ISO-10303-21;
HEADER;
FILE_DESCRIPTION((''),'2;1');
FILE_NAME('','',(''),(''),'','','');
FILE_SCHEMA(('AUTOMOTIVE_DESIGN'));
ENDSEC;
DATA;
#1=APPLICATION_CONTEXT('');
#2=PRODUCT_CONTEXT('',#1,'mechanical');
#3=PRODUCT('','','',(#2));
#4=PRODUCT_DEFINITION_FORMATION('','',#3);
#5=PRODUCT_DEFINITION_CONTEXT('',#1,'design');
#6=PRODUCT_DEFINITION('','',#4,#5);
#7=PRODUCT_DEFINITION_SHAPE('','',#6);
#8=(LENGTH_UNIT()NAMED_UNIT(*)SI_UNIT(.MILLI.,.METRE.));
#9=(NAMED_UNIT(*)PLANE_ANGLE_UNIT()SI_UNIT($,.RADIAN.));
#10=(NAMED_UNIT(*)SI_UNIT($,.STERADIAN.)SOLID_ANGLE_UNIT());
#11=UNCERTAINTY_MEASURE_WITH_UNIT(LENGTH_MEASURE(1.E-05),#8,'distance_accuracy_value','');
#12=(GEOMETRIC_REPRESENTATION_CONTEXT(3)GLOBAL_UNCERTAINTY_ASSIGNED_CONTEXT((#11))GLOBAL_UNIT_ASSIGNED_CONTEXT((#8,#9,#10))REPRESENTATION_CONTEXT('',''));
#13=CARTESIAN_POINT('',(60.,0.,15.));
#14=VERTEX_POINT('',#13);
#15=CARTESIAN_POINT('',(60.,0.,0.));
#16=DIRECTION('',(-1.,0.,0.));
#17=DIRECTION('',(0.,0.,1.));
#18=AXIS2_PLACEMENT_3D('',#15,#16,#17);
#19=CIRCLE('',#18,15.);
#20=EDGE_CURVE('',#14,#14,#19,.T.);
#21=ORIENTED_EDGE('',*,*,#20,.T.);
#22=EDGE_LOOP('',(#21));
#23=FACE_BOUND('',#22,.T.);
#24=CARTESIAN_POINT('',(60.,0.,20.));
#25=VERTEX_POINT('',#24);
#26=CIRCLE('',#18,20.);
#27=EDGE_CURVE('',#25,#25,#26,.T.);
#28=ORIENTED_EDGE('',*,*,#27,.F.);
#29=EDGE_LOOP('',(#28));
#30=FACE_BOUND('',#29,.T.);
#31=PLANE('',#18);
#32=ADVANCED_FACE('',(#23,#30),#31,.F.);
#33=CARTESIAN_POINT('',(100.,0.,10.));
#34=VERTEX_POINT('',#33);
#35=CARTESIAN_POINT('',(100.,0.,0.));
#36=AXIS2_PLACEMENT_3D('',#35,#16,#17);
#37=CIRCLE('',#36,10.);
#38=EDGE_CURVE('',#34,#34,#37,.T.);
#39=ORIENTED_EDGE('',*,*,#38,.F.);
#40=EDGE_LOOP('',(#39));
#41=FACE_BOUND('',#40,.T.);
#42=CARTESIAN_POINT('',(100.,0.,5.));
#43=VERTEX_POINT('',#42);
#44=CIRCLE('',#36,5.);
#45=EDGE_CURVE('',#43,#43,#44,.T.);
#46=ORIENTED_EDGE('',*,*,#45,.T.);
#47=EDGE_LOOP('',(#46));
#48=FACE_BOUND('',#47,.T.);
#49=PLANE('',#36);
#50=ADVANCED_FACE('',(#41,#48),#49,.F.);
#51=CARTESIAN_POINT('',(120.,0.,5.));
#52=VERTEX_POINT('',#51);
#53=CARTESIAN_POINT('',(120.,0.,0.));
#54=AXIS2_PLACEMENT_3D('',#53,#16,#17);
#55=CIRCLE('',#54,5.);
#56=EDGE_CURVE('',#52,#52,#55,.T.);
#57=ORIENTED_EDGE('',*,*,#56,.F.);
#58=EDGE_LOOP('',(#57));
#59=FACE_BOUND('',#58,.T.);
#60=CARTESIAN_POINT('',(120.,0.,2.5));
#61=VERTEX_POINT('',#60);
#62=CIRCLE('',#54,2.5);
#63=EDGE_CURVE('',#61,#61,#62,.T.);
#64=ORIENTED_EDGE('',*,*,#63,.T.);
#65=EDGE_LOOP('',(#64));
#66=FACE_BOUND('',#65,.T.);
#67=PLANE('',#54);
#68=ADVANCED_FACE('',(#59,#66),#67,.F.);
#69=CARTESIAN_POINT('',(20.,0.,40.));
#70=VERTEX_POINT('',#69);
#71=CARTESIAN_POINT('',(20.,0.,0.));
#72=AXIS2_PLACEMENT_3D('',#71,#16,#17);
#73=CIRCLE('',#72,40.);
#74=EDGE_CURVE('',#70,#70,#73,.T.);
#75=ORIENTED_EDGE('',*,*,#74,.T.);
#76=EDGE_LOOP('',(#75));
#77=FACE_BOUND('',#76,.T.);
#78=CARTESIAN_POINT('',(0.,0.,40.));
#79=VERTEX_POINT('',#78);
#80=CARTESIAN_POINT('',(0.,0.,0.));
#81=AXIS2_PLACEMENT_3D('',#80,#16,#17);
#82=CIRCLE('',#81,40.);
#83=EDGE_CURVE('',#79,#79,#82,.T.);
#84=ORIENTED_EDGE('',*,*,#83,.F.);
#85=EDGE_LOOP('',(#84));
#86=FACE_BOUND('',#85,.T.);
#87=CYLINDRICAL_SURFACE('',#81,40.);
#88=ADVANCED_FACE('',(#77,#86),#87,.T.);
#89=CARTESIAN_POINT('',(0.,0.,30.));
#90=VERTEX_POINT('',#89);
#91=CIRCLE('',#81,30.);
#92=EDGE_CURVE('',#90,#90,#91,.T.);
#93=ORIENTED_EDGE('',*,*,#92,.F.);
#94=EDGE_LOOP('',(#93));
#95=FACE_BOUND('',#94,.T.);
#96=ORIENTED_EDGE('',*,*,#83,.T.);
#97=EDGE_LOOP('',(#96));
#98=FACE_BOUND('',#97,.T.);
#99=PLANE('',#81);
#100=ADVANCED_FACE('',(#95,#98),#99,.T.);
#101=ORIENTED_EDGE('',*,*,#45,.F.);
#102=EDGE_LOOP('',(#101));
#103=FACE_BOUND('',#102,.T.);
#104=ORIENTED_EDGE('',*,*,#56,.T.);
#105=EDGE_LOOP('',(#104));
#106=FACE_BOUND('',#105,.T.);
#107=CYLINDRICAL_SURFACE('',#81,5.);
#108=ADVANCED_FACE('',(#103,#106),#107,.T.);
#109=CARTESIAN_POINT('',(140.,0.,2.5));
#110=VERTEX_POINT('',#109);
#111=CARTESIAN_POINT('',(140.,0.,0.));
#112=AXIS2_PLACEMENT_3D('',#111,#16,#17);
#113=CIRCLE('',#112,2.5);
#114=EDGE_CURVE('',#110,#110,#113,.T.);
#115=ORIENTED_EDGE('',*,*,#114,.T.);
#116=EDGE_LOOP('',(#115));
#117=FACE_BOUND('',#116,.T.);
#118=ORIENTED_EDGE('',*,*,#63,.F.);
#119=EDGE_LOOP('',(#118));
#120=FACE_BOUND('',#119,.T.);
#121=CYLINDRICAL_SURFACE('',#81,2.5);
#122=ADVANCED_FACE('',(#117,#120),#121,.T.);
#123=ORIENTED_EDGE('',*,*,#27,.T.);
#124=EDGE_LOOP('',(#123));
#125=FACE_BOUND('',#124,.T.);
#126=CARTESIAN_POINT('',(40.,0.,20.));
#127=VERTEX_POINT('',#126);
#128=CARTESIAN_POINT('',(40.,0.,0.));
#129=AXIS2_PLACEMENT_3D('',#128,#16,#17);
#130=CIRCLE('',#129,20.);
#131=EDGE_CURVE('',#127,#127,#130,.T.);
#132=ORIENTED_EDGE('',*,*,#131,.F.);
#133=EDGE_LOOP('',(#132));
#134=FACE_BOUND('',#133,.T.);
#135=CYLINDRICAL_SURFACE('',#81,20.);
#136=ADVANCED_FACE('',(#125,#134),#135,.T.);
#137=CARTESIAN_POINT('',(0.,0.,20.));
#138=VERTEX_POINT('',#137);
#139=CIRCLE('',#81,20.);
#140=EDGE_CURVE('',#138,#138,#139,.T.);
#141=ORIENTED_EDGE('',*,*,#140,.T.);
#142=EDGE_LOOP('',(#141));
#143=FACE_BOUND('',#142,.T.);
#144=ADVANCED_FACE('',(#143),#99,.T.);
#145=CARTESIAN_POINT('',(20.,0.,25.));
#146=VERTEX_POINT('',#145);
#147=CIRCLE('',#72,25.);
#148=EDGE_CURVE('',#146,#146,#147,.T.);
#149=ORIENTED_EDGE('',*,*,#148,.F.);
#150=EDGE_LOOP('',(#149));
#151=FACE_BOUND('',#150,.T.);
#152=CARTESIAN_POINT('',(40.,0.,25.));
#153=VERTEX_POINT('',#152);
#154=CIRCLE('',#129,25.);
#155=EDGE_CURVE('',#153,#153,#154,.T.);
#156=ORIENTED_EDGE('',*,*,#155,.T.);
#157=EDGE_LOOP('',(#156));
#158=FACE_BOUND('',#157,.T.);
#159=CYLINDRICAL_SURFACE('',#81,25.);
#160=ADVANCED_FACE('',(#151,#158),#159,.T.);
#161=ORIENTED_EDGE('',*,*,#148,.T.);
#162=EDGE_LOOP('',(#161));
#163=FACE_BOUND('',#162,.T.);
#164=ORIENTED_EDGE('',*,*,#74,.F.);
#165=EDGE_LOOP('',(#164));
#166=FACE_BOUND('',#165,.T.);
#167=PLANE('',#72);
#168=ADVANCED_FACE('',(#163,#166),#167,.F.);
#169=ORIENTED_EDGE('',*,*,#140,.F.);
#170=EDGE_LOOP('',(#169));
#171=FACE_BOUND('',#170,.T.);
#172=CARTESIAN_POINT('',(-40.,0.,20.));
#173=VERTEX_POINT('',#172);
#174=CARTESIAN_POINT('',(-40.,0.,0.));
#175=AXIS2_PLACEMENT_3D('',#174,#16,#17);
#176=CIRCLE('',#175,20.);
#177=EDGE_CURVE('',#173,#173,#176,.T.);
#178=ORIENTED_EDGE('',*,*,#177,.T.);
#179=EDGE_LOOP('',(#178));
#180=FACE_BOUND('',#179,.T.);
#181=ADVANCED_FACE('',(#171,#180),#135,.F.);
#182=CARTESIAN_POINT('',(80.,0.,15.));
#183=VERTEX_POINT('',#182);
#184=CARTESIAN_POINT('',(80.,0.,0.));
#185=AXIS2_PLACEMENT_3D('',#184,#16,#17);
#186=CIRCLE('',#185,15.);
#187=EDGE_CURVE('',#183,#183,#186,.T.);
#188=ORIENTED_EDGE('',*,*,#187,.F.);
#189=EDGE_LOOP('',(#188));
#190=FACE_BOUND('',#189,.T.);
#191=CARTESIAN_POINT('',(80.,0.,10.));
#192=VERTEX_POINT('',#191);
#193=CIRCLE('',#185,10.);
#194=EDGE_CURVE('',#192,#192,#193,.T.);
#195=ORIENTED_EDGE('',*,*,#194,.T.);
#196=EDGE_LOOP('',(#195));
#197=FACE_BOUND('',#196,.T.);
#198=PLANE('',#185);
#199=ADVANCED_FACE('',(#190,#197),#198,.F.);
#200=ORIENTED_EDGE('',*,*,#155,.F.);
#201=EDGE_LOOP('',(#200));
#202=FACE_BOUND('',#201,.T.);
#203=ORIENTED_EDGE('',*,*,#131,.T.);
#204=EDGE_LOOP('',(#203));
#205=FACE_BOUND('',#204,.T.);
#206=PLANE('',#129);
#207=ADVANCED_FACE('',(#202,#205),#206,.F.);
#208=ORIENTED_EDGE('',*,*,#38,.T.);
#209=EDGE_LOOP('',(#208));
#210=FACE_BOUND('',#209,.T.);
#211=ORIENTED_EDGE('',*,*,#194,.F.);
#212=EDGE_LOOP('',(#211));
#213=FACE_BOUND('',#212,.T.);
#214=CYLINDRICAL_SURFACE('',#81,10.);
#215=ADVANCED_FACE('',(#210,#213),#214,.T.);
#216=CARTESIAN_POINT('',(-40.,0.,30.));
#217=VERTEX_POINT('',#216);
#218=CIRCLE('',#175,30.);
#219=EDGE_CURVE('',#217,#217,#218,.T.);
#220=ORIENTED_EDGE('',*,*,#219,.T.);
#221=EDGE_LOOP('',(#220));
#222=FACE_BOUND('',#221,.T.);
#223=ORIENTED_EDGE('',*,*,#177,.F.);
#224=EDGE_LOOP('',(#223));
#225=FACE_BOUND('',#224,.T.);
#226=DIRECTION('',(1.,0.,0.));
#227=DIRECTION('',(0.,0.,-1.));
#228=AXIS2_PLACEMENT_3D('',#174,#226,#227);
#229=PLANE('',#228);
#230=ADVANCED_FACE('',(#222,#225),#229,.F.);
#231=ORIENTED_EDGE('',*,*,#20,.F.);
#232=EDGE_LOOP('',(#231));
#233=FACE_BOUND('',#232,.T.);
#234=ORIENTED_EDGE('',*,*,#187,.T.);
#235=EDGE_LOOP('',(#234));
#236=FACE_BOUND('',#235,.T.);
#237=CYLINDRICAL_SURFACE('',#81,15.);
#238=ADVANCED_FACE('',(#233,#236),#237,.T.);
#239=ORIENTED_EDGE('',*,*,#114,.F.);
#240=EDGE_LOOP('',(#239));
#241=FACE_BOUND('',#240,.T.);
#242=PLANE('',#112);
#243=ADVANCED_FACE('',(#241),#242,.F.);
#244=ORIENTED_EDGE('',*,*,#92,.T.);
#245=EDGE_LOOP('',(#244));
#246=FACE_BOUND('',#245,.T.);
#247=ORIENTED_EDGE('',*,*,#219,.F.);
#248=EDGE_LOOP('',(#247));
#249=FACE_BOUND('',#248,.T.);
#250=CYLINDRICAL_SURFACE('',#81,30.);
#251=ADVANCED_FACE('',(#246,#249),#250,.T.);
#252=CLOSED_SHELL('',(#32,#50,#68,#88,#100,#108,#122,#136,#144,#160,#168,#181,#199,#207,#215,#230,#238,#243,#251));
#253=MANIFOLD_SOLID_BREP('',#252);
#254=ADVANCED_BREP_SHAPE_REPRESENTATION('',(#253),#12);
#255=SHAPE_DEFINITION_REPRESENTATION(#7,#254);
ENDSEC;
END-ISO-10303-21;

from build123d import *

# Parameters (mm, degrees)
SKETCH_1_W   = 40
SKETCH_1_H   = 10
SKETCH_1_W_2 = 20
SKETCH_1_H_2 = 40
SKETCH_1_H_3 = 2.5


with BuildPart() as part:
    # 草圖1 → 旋轉1 (revolve)
    with BuildSketch(Plane.XY, mode=Mode.PRIVATE) as revolve_1_sk:
        with Locations((-20, 25)):
            Rectangle(SKETCH_1_W, SKETCH_1_H)
        with Locations((10, 20)):
            Rectangle(SKETCH_1_W_2, SKETCH_1_H_2)
        Polygon((20, 25), (20, 0), (40, 0), (40, 20), (40, 25), align=None)
        Polygon((40, 20), (40, 0), (60, 0), (60, 15), (60, 20), align=None)
        Polygon((60, 15), (60, 0), (80, 0), (80, 10), (80, 15), align=None)
        Polygon((80, 10), (80, 0), (100, 0), (100, 5), (100, 10), align=None)
        Polygon((100, 5), (100, 0), (120, 0), (120, 2.5), (120, 5), align=None)
        with Locations((130, 1.25)):
            Rectangle(SKETCH_1_W_2, SKETCH_1_H_3)
    revolve(revolve_1_sk.sketch.rotate(Axis((0, 0, 0), (1, 0, 0)), 90), axis=Axis((0, 0, 0), (1, 0, 0)))


solid = part.part
